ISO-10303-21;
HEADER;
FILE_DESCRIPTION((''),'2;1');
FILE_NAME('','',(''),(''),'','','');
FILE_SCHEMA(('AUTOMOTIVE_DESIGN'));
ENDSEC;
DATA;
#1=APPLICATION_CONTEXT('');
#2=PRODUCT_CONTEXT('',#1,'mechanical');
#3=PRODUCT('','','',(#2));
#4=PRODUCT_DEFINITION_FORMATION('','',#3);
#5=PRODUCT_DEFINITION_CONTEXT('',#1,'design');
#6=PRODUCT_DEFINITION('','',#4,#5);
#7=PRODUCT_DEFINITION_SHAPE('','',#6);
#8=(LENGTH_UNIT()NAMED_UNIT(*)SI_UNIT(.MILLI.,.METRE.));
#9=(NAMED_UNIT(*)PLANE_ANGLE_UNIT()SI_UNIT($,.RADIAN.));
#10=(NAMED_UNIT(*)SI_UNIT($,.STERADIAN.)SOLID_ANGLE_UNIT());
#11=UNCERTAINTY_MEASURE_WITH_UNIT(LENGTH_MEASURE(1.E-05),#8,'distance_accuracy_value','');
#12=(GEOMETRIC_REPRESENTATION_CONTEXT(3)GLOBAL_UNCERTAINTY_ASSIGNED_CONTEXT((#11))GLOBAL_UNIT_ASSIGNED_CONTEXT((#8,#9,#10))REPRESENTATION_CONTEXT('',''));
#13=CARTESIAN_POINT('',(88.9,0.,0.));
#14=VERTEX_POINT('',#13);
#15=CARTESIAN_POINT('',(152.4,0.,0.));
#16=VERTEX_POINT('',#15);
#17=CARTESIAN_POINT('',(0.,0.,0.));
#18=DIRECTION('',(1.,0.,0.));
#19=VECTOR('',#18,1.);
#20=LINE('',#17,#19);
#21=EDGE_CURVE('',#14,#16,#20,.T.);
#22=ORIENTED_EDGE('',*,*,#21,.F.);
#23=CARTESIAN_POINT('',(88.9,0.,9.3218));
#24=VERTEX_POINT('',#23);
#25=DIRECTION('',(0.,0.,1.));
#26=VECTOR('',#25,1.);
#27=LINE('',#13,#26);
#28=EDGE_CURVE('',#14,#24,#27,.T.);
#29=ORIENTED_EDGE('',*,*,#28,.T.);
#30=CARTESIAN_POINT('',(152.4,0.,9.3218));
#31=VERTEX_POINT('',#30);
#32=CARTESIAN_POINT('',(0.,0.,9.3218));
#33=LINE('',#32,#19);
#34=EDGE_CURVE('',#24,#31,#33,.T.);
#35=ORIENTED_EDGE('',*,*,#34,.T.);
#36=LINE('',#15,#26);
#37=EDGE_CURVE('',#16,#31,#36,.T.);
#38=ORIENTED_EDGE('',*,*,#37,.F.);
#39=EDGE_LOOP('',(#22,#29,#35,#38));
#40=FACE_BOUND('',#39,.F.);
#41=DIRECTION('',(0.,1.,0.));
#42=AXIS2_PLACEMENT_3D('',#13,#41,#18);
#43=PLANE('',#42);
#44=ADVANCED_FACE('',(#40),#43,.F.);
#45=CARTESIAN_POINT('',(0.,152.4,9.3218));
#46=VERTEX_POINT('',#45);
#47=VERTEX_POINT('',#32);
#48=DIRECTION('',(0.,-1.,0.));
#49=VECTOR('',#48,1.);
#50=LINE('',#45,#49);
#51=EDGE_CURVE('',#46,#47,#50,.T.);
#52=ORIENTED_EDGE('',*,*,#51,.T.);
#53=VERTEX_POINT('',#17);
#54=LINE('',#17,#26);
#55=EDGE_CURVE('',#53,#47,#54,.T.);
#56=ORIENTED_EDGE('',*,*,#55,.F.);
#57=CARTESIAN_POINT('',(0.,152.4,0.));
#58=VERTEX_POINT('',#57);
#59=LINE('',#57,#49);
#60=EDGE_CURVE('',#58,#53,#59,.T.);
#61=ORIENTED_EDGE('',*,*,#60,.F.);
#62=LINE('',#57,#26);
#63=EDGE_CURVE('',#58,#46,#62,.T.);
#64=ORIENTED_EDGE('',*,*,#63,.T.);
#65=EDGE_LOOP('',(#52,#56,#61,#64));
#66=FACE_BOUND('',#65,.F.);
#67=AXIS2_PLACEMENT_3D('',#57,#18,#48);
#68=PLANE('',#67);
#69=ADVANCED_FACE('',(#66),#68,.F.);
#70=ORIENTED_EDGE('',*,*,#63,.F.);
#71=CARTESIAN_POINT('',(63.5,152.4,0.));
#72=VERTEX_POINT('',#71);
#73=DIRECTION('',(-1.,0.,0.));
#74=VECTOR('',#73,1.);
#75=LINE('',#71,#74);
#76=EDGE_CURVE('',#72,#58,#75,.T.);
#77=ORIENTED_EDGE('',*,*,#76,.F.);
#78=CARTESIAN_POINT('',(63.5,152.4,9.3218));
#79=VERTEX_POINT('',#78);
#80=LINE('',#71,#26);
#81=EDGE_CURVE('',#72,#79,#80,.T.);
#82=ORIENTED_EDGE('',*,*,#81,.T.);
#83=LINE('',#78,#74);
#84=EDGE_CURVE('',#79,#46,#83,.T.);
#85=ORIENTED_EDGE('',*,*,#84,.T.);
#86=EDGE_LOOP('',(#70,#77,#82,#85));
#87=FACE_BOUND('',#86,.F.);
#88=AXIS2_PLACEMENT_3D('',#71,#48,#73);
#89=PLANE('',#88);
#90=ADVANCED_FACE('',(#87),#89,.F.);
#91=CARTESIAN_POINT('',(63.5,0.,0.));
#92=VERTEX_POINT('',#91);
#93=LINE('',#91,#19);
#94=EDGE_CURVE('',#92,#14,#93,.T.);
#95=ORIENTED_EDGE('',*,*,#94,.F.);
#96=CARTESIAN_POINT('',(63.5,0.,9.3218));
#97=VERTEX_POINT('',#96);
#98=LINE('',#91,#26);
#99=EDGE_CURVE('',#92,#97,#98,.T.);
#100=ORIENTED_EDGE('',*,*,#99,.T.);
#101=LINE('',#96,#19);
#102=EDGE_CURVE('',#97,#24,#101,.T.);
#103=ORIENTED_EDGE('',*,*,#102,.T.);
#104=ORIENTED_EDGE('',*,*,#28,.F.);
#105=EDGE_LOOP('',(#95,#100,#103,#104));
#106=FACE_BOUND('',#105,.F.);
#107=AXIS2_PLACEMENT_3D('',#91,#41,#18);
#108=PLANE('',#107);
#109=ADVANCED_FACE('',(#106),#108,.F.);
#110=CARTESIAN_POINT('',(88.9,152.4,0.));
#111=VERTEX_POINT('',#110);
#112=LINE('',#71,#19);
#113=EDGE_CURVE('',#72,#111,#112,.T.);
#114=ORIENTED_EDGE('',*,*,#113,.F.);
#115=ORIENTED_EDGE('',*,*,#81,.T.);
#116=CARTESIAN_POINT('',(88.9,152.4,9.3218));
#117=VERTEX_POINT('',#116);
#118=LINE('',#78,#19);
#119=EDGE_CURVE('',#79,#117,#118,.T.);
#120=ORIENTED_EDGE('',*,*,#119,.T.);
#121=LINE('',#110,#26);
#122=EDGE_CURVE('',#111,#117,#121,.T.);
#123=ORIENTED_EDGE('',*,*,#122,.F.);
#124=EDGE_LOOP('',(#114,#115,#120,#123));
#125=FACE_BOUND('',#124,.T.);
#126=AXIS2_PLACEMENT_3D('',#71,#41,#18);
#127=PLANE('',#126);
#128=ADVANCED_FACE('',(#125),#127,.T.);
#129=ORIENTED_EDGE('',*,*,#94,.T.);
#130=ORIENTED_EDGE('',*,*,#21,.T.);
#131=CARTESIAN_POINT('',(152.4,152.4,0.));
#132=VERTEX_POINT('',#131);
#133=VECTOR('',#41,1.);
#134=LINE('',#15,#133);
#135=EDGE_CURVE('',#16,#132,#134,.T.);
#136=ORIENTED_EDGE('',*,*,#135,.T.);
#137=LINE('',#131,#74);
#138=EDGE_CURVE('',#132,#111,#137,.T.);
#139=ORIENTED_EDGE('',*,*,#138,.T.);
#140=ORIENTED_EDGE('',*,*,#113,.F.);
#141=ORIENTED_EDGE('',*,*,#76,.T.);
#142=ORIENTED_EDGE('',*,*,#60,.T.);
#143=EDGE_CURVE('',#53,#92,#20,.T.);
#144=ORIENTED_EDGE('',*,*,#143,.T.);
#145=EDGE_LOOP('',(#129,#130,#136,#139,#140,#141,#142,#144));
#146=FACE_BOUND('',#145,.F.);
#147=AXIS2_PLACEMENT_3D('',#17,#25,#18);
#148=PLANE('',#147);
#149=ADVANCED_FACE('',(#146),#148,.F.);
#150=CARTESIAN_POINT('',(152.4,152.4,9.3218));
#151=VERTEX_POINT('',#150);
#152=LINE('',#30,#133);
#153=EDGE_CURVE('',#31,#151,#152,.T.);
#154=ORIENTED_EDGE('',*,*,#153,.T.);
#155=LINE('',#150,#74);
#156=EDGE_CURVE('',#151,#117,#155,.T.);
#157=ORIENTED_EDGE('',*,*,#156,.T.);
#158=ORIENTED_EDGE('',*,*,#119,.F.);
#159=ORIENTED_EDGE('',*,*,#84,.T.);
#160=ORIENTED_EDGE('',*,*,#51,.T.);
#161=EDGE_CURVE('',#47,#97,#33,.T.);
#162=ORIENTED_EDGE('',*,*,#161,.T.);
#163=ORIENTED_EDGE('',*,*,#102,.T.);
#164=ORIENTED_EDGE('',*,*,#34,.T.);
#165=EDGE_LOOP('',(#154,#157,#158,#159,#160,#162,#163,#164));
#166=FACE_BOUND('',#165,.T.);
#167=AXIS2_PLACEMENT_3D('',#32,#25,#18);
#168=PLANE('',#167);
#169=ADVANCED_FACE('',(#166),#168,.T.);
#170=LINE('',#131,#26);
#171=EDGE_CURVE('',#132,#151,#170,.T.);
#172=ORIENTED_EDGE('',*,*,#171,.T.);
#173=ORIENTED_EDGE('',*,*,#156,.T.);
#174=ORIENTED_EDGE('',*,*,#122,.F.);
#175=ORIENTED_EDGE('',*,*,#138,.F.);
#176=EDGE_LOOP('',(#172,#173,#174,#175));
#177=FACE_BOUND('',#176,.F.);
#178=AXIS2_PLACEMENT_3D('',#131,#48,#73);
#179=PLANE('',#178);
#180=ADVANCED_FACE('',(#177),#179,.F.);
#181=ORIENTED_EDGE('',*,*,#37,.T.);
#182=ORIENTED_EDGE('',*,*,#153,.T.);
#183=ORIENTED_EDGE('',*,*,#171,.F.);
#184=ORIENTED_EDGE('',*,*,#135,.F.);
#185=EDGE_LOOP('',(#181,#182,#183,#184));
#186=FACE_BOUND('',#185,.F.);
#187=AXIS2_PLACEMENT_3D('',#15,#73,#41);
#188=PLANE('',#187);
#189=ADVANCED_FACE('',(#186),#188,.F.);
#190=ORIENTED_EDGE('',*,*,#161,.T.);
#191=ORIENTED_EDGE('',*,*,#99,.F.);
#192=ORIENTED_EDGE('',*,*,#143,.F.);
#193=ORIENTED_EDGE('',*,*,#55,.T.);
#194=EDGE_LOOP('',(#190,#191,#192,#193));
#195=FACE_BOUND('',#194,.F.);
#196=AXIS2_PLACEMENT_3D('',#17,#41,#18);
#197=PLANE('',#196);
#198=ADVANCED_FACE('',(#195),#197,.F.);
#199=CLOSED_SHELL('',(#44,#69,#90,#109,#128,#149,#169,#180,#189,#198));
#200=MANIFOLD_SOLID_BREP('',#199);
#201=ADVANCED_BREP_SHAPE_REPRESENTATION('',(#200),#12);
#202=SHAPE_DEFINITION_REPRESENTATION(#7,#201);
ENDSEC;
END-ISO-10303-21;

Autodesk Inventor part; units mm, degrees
ref_plane "YZ Plane" through (0, 0, 0) normal (1, 0, 0) x (0, 1, 0)
ref_plane "XZ Plane" through (0, 0, 0) normal (0, 1, 0) x (-1, 0, 0)
ref_plane "XY Plane" through (0, 0, 0) normal (0, 0, 1) x (1, 0, 0)
sketch "Sketch1" plane through (0, 0, 0) normal (0, 0, 1) x (1, 0, 0)
  line L0 (0, 0) -> (152.4, 0)
  line L1 (152.4, 0) -> (152.4, 152.4)
  line L2 (0, 152.4) -> (0, 0)
  line L3 (152.4, 152.4) -> (88.9, 152.4)
  line L4 (63.5, 152.4) -> (0, 152.4)
  line L5 (63.5, 0) -> (88.9, 0)
  line L6 (63.5, 152.4) -> (88.9, 152.4)
  line L7 (0, 152.4) -> (0, 0)
  line L8 (152.4, 0) -> (0, 0)
extrude "Extrusion1" add sketch "Sketch1" along normal blind 9.3218
properties part number "air layer"
